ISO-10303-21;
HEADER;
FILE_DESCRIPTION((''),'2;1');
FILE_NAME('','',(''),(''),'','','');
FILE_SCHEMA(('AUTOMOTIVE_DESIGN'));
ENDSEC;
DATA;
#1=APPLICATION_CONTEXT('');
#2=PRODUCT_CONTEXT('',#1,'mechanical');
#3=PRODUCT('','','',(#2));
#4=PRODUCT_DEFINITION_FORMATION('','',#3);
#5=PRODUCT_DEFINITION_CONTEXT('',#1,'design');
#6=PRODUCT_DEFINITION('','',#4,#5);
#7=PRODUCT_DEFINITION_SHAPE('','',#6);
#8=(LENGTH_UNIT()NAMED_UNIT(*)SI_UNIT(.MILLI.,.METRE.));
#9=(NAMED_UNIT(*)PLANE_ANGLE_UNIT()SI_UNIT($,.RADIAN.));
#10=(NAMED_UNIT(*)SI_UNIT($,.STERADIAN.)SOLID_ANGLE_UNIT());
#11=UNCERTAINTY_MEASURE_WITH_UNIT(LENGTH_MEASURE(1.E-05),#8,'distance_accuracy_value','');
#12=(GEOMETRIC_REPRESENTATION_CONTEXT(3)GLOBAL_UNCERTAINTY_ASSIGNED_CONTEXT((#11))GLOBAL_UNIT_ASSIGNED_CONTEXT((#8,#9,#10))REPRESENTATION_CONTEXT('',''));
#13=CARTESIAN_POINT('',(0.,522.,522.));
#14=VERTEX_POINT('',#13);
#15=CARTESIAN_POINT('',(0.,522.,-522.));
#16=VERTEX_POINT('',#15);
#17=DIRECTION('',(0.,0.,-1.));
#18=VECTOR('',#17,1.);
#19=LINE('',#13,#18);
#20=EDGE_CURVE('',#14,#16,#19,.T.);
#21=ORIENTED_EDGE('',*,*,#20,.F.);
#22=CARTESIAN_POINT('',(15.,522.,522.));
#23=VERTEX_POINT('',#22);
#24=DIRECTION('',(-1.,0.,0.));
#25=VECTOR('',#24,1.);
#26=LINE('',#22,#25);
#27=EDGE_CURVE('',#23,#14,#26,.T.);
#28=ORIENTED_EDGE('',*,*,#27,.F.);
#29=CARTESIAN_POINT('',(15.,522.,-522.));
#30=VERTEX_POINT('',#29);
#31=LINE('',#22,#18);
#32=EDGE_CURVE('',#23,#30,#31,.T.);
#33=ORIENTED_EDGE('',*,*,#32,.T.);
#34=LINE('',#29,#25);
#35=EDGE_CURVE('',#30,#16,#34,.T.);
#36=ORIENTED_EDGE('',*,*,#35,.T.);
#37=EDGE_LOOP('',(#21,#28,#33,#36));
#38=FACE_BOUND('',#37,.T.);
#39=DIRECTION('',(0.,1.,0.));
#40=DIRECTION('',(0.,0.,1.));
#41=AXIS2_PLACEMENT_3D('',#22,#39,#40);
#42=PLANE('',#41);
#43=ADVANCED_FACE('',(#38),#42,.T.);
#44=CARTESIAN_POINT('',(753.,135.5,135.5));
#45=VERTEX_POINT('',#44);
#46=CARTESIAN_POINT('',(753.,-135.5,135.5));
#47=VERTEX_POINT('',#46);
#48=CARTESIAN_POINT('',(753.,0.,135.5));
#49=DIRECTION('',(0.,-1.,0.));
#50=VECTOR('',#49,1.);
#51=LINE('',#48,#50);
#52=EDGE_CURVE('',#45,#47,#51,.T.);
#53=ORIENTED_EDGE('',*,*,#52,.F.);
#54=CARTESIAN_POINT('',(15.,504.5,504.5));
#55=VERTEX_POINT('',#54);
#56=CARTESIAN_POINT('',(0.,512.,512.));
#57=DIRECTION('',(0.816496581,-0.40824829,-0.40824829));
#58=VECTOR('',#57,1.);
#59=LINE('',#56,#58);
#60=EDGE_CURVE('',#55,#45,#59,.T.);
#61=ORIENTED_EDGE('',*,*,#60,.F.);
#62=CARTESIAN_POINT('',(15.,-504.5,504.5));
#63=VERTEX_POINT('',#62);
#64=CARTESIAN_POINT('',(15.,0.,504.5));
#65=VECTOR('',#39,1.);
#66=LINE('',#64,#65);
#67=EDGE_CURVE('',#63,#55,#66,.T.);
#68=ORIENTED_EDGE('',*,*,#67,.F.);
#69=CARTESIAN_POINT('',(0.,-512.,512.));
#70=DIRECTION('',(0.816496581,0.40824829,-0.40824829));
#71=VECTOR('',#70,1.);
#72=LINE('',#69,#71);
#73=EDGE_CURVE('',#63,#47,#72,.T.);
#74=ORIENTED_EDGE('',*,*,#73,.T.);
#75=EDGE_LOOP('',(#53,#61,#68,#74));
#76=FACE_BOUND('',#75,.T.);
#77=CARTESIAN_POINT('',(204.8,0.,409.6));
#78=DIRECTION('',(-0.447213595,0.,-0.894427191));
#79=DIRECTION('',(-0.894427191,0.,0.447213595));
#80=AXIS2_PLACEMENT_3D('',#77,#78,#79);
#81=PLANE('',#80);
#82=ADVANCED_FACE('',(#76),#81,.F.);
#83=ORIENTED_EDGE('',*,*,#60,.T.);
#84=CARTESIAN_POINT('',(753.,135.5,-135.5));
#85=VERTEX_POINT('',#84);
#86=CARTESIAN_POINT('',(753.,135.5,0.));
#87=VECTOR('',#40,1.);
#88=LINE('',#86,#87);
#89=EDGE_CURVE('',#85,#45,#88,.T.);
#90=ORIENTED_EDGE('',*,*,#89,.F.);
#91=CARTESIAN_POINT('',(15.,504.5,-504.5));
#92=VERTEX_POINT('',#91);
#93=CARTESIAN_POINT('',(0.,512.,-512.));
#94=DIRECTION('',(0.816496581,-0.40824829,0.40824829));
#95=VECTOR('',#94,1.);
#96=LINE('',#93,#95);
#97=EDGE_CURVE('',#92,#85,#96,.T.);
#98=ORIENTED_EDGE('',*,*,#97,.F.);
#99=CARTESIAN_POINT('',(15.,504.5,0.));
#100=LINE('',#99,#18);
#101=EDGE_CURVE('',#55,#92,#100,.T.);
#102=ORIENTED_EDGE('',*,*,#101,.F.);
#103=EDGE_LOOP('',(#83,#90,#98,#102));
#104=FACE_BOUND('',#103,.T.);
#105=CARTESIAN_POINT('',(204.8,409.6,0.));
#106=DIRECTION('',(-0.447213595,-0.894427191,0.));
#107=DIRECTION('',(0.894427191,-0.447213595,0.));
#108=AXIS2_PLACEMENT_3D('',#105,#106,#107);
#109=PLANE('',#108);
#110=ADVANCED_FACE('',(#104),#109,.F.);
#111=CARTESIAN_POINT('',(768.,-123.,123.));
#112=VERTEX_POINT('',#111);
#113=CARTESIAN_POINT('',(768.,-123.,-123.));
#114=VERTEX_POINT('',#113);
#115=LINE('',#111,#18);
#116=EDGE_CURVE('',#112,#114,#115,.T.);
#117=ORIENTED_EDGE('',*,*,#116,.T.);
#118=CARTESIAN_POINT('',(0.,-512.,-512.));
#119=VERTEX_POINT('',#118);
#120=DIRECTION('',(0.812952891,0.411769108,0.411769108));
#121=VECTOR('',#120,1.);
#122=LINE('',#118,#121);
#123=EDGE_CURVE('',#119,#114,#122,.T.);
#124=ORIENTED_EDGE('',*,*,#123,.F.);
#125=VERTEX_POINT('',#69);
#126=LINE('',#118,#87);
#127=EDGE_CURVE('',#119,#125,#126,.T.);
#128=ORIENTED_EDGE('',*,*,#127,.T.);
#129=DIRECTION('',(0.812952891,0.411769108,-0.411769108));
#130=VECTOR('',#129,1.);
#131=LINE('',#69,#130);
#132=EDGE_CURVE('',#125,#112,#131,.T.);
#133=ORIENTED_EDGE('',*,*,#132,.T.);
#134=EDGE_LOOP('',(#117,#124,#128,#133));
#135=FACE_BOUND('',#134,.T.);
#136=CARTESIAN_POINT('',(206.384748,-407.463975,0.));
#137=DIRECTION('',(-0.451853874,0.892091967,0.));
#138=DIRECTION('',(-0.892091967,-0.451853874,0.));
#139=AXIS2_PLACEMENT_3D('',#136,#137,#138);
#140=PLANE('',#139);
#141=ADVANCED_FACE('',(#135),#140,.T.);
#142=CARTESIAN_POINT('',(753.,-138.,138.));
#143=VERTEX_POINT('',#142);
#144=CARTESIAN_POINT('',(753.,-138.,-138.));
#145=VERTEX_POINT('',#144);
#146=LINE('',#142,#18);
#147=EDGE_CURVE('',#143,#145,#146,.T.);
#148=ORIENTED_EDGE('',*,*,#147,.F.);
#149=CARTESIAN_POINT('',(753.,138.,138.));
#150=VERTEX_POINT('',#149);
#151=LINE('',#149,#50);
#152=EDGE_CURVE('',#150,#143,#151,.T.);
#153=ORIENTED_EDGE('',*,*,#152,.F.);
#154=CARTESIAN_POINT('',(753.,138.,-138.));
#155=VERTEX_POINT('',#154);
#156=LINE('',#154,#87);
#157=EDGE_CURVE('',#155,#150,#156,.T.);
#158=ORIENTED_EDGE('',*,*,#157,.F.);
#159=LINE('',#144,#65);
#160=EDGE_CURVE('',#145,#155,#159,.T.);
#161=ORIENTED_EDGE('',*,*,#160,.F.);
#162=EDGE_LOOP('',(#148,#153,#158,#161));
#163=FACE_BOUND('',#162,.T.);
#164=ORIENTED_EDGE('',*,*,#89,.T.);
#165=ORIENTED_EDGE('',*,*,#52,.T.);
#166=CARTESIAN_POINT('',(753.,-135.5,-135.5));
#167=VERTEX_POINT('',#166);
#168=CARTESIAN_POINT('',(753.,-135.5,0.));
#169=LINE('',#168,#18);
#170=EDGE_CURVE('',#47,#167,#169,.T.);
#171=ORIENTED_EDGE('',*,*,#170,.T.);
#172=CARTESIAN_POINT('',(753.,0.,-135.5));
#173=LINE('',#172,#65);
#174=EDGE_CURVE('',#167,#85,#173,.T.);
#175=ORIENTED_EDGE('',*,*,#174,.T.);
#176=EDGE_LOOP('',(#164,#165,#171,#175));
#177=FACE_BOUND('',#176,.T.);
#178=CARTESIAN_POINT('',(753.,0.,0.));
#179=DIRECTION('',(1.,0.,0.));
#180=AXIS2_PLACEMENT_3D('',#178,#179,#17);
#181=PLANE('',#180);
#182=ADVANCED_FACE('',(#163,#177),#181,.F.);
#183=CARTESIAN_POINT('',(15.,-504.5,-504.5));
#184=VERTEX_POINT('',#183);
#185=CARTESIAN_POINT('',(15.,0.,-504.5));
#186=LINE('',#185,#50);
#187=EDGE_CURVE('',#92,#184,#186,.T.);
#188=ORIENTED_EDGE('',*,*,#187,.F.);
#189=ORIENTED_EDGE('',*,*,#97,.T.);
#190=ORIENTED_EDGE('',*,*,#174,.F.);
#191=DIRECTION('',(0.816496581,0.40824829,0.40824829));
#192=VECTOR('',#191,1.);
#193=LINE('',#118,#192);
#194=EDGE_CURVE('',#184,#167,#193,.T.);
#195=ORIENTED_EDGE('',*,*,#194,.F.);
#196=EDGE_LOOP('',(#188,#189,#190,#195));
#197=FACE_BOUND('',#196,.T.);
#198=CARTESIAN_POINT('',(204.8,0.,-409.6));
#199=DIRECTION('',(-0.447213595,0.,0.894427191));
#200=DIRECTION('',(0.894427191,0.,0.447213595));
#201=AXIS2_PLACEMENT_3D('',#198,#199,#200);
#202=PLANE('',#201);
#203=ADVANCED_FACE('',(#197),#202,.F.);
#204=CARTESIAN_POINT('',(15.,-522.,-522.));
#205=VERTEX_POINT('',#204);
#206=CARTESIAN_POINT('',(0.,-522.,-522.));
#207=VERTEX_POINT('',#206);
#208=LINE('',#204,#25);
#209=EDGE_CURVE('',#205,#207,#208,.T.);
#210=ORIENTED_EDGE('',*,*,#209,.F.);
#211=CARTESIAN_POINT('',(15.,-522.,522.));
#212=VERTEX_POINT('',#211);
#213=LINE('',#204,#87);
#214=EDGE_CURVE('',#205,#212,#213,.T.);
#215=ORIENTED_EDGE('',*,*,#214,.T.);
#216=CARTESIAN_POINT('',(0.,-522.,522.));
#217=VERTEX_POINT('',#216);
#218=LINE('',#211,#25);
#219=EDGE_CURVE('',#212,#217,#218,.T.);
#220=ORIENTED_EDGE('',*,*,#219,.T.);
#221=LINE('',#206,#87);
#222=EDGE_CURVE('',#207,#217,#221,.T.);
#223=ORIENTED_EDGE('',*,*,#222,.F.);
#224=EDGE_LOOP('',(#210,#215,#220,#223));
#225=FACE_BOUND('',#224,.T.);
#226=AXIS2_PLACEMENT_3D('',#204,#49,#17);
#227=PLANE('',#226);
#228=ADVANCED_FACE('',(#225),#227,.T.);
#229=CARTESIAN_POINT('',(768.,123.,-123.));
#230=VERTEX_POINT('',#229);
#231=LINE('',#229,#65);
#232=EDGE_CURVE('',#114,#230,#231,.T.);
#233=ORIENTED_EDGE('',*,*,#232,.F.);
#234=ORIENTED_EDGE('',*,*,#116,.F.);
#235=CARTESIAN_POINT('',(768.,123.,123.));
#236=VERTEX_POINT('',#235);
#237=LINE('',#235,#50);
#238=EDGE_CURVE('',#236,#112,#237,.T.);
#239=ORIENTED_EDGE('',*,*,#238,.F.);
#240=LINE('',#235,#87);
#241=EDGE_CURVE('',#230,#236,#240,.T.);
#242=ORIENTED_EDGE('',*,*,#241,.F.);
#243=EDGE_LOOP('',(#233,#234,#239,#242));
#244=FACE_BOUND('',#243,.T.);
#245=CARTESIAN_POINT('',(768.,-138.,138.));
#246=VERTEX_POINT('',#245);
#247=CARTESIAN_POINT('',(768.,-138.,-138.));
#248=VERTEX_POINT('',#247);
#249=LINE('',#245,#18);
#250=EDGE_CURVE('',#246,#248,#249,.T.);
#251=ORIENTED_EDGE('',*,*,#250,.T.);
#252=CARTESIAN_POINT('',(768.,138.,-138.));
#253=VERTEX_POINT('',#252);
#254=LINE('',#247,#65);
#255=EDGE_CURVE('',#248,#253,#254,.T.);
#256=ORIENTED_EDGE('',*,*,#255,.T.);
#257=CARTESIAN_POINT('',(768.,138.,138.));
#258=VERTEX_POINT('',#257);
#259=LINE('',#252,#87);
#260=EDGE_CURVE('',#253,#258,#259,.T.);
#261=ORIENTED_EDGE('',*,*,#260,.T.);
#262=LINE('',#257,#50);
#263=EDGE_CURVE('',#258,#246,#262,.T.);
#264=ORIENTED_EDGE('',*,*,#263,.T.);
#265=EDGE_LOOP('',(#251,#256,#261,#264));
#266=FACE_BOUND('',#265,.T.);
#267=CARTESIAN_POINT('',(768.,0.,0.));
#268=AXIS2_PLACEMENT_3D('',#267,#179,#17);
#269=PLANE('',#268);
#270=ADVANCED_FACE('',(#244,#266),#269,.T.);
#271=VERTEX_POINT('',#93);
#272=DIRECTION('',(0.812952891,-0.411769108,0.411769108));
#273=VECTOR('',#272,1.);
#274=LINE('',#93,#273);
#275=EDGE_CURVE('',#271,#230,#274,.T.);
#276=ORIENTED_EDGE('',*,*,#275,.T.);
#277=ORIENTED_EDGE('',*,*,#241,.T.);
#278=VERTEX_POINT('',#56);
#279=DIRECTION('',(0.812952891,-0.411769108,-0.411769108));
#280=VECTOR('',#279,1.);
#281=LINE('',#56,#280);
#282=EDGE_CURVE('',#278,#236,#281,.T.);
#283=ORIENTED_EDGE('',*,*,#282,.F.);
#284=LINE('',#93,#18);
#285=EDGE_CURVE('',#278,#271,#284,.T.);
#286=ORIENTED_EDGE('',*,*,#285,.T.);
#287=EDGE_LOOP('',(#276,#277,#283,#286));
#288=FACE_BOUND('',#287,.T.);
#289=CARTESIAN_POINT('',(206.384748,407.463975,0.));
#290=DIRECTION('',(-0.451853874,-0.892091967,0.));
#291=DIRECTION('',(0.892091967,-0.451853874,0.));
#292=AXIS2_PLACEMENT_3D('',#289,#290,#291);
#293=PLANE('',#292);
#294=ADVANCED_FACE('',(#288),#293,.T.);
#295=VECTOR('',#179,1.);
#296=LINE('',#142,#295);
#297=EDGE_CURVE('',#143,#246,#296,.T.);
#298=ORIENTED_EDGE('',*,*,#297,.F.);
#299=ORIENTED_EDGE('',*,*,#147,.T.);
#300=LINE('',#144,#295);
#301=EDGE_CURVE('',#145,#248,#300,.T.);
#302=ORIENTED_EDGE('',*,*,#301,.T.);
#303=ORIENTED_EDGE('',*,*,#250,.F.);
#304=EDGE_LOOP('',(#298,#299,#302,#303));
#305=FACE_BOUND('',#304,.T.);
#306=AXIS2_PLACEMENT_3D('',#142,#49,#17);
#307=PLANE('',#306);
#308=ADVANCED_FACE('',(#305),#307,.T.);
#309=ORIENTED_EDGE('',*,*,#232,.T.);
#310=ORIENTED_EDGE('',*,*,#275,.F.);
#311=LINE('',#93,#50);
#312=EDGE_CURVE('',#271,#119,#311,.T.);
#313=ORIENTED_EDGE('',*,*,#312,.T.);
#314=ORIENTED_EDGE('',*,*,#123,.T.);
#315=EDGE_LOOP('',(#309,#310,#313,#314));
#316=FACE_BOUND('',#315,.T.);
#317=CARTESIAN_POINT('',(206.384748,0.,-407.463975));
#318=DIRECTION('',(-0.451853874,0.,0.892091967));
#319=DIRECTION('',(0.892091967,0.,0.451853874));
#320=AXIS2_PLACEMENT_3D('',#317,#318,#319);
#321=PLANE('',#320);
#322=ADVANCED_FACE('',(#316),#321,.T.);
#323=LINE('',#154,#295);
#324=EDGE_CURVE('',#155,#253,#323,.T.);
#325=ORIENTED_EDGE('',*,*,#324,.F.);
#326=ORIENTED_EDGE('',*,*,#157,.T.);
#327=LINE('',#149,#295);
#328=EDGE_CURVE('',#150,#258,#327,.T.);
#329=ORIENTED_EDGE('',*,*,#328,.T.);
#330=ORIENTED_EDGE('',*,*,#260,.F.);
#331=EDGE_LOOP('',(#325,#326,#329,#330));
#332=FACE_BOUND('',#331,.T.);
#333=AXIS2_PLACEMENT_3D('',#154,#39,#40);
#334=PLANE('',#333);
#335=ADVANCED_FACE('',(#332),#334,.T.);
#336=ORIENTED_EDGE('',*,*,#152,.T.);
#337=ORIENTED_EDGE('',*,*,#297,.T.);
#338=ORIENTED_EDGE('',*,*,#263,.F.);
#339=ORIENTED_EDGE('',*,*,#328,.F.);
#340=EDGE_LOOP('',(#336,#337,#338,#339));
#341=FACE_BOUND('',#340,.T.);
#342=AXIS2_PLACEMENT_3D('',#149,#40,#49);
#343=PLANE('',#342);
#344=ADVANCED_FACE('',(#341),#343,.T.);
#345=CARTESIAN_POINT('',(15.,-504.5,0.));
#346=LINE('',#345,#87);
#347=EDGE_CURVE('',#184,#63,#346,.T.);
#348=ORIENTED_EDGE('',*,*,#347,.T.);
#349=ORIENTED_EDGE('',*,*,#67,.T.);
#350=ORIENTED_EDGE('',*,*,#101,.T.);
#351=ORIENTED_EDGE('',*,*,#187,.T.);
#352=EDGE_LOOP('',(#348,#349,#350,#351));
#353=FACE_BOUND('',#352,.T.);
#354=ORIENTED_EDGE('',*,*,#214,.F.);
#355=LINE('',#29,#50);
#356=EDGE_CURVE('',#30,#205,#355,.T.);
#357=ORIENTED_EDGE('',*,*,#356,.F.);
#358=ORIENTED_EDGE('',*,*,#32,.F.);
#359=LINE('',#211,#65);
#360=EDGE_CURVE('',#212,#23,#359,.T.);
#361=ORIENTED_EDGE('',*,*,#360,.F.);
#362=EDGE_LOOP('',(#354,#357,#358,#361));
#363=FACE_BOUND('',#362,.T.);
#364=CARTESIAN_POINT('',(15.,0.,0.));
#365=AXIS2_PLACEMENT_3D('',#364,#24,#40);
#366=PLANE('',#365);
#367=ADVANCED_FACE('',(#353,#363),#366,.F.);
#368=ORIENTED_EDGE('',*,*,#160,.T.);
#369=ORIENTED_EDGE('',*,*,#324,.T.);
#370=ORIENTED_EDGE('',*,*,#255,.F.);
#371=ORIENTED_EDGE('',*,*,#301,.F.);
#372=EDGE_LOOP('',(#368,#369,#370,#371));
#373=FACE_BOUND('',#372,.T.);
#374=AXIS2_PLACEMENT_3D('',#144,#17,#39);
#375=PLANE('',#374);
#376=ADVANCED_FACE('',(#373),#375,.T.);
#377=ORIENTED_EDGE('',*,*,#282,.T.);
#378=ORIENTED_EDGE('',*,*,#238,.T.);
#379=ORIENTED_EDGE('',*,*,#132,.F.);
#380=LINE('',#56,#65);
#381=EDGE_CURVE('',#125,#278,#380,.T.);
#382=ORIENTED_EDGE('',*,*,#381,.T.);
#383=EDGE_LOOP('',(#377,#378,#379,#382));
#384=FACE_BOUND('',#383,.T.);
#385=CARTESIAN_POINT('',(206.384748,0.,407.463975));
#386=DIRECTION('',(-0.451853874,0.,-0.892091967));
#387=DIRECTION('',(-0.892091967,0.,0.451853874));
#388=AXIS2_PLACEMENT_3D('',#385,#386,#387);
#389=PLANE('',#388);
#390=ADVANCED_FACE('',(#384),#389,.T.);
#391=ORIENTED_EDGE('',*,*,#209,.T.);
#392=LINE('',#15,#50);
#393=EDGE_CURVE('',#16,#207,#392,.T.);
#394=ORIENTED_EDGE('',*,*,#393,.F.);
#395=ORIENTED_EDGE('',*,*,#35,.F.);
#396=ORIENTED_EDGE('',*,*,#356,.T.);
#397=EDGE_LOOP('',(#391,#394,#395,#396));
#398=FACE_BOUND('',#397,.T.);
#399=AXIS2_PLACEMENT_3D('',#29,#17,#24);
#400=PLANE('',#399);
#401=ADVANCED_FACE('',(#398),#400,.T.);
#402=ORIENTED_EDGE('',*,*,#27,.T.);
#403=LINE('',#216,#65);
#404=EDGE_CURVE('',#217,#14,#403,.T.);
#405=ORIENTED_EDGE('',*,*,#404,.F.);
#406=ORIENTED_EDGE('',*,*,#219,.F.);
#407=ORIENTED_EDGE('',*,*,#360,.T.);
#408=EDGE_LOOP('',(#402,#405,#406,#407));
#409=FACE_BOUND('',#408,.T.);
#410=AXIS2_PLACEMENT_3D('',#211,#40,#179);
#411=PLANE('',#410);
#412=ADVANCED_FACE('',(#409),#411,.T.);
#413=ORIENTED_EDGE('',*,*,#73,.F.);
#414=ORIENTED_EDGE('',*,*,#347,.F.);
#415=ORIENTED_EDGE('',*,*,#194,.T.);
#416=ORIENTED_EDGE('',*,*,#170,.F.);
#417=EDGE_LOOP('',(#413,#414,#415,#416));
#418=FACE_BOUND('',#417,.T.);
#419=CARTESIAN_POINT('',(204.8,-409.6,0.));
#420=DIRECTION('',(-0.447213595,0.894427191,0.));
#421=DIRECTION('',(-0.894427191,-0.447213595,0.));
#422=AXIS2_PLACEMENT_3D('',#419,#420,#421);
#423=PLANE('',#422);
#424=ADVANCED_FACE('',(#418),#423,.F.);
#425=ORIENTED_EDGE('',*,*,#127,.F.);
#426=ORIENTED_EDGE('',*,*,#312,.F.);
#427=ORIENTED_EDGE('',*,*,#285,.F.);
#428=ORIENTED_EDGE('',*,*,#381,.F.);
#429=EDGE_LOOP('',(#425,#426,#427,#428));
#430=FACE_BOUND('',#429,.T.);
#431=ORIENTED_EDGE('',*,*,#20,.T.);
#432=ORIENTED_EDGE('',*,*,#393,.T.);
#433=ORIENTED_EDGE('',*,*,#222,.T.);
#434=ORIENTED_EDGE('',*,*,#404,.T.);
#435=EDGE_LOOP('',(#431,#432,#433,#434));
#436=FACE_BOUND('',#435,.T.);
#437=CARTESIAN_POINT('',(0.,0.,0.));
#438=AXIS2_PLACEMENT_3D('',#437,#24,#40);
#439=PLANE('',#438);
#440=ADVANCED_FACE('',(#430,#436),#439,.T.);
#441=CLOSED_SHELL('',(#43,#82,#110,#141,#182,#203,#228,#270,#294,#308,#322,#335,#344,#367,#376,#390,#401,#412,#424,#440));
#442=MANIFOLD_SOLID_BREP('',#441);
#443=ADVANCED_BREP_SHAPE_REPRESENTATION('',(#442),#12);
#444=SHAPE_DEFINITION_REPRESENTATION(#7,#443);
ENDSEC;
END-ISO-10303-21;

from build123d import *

# Parameters (mm, degrees)
SKETCH11_W          = 276
SKETCH11_H          = 276
BOSS_EXTRUDE7_DEPTH = 15
SKETCH12_W          = 1044
SKETCH12_H          = 1044
BOSS_EXTRUDE8_DEPTH = 15


with BuildPart() as part:
    # Sketch1 → Loft3 section 0
    with BuildSketch(Plane(origin=(0, 0, 0), x_dir=(0, 0, -1), z_dir=(1, 0, 0))):
        with BuildLine():
            Line((-512, -512), (512, -512))
            Line((512, -512), (512, 512))
            Line((512, 512), (-512, 512))
            Line((-512, 512), (-512, -512))
        make_face()
    # Sketch2 → Loft3 section 1
    with BuildSketch(Plane(origin=(768, 0, 0), x_dir=(0, 0, -1), z_dir=(1, 0, 0))):
        with BuildLine():
            Line((-128, 128), (128, 128))
            Line((128, 128), (128, -128))
            Line((128, -128), (-128, -128))
            Line((-128, -128), (-128, 128))
        make_face()
    loft()

    # Sketch11 → Boss-Extrude7 (add)
    with BuildSketch(Plane(origin=(768, 0, 0), x_dir=(0, 0, -1), z_dir=(1, 0, 0))):
        Rectangle(SKETCH11_W, SKETCH11_H)
    extrude(amount=-BOSS_EXTRUDE7_DEPTH)

    # Sketch12 → Boss-Extrude8 (add)
    with BuildSketch(Plane.ZY):
        Rectangle(SKETCH12_W, SKETCH12_H)
    extrude(amount=-BOSS_EXTRUDE8_DEPTH)

    # Sketch13 → Cut-Loft4 section 0
    with BuildSketch(Plane.ZY):
        with BuildLine():
            Line((-512, 512), (512, 512))
            Line((512, 512), (512, -512))
            Line((512, -512), (-512, -512))
            Line((-512, -512), (-512, 512))
        make_face()
    # Sketch3 → Cut-Loft4 section 1
    with BuildSketch(Plane(origin=(768, 0, 0), x_dir=(0, 0, -1), z_dir=(1, 0, 0))):
        with BuildLine():
            Line((-123, 123), (123, 123))
            Line((123, 123), (123, -123))
            Line((123, -123), (-123, -123))
            Line((-123, -123), (-123, 123))
        make_face()
    loft(mode=Mode.SUBTRACT)


solid = part.part
